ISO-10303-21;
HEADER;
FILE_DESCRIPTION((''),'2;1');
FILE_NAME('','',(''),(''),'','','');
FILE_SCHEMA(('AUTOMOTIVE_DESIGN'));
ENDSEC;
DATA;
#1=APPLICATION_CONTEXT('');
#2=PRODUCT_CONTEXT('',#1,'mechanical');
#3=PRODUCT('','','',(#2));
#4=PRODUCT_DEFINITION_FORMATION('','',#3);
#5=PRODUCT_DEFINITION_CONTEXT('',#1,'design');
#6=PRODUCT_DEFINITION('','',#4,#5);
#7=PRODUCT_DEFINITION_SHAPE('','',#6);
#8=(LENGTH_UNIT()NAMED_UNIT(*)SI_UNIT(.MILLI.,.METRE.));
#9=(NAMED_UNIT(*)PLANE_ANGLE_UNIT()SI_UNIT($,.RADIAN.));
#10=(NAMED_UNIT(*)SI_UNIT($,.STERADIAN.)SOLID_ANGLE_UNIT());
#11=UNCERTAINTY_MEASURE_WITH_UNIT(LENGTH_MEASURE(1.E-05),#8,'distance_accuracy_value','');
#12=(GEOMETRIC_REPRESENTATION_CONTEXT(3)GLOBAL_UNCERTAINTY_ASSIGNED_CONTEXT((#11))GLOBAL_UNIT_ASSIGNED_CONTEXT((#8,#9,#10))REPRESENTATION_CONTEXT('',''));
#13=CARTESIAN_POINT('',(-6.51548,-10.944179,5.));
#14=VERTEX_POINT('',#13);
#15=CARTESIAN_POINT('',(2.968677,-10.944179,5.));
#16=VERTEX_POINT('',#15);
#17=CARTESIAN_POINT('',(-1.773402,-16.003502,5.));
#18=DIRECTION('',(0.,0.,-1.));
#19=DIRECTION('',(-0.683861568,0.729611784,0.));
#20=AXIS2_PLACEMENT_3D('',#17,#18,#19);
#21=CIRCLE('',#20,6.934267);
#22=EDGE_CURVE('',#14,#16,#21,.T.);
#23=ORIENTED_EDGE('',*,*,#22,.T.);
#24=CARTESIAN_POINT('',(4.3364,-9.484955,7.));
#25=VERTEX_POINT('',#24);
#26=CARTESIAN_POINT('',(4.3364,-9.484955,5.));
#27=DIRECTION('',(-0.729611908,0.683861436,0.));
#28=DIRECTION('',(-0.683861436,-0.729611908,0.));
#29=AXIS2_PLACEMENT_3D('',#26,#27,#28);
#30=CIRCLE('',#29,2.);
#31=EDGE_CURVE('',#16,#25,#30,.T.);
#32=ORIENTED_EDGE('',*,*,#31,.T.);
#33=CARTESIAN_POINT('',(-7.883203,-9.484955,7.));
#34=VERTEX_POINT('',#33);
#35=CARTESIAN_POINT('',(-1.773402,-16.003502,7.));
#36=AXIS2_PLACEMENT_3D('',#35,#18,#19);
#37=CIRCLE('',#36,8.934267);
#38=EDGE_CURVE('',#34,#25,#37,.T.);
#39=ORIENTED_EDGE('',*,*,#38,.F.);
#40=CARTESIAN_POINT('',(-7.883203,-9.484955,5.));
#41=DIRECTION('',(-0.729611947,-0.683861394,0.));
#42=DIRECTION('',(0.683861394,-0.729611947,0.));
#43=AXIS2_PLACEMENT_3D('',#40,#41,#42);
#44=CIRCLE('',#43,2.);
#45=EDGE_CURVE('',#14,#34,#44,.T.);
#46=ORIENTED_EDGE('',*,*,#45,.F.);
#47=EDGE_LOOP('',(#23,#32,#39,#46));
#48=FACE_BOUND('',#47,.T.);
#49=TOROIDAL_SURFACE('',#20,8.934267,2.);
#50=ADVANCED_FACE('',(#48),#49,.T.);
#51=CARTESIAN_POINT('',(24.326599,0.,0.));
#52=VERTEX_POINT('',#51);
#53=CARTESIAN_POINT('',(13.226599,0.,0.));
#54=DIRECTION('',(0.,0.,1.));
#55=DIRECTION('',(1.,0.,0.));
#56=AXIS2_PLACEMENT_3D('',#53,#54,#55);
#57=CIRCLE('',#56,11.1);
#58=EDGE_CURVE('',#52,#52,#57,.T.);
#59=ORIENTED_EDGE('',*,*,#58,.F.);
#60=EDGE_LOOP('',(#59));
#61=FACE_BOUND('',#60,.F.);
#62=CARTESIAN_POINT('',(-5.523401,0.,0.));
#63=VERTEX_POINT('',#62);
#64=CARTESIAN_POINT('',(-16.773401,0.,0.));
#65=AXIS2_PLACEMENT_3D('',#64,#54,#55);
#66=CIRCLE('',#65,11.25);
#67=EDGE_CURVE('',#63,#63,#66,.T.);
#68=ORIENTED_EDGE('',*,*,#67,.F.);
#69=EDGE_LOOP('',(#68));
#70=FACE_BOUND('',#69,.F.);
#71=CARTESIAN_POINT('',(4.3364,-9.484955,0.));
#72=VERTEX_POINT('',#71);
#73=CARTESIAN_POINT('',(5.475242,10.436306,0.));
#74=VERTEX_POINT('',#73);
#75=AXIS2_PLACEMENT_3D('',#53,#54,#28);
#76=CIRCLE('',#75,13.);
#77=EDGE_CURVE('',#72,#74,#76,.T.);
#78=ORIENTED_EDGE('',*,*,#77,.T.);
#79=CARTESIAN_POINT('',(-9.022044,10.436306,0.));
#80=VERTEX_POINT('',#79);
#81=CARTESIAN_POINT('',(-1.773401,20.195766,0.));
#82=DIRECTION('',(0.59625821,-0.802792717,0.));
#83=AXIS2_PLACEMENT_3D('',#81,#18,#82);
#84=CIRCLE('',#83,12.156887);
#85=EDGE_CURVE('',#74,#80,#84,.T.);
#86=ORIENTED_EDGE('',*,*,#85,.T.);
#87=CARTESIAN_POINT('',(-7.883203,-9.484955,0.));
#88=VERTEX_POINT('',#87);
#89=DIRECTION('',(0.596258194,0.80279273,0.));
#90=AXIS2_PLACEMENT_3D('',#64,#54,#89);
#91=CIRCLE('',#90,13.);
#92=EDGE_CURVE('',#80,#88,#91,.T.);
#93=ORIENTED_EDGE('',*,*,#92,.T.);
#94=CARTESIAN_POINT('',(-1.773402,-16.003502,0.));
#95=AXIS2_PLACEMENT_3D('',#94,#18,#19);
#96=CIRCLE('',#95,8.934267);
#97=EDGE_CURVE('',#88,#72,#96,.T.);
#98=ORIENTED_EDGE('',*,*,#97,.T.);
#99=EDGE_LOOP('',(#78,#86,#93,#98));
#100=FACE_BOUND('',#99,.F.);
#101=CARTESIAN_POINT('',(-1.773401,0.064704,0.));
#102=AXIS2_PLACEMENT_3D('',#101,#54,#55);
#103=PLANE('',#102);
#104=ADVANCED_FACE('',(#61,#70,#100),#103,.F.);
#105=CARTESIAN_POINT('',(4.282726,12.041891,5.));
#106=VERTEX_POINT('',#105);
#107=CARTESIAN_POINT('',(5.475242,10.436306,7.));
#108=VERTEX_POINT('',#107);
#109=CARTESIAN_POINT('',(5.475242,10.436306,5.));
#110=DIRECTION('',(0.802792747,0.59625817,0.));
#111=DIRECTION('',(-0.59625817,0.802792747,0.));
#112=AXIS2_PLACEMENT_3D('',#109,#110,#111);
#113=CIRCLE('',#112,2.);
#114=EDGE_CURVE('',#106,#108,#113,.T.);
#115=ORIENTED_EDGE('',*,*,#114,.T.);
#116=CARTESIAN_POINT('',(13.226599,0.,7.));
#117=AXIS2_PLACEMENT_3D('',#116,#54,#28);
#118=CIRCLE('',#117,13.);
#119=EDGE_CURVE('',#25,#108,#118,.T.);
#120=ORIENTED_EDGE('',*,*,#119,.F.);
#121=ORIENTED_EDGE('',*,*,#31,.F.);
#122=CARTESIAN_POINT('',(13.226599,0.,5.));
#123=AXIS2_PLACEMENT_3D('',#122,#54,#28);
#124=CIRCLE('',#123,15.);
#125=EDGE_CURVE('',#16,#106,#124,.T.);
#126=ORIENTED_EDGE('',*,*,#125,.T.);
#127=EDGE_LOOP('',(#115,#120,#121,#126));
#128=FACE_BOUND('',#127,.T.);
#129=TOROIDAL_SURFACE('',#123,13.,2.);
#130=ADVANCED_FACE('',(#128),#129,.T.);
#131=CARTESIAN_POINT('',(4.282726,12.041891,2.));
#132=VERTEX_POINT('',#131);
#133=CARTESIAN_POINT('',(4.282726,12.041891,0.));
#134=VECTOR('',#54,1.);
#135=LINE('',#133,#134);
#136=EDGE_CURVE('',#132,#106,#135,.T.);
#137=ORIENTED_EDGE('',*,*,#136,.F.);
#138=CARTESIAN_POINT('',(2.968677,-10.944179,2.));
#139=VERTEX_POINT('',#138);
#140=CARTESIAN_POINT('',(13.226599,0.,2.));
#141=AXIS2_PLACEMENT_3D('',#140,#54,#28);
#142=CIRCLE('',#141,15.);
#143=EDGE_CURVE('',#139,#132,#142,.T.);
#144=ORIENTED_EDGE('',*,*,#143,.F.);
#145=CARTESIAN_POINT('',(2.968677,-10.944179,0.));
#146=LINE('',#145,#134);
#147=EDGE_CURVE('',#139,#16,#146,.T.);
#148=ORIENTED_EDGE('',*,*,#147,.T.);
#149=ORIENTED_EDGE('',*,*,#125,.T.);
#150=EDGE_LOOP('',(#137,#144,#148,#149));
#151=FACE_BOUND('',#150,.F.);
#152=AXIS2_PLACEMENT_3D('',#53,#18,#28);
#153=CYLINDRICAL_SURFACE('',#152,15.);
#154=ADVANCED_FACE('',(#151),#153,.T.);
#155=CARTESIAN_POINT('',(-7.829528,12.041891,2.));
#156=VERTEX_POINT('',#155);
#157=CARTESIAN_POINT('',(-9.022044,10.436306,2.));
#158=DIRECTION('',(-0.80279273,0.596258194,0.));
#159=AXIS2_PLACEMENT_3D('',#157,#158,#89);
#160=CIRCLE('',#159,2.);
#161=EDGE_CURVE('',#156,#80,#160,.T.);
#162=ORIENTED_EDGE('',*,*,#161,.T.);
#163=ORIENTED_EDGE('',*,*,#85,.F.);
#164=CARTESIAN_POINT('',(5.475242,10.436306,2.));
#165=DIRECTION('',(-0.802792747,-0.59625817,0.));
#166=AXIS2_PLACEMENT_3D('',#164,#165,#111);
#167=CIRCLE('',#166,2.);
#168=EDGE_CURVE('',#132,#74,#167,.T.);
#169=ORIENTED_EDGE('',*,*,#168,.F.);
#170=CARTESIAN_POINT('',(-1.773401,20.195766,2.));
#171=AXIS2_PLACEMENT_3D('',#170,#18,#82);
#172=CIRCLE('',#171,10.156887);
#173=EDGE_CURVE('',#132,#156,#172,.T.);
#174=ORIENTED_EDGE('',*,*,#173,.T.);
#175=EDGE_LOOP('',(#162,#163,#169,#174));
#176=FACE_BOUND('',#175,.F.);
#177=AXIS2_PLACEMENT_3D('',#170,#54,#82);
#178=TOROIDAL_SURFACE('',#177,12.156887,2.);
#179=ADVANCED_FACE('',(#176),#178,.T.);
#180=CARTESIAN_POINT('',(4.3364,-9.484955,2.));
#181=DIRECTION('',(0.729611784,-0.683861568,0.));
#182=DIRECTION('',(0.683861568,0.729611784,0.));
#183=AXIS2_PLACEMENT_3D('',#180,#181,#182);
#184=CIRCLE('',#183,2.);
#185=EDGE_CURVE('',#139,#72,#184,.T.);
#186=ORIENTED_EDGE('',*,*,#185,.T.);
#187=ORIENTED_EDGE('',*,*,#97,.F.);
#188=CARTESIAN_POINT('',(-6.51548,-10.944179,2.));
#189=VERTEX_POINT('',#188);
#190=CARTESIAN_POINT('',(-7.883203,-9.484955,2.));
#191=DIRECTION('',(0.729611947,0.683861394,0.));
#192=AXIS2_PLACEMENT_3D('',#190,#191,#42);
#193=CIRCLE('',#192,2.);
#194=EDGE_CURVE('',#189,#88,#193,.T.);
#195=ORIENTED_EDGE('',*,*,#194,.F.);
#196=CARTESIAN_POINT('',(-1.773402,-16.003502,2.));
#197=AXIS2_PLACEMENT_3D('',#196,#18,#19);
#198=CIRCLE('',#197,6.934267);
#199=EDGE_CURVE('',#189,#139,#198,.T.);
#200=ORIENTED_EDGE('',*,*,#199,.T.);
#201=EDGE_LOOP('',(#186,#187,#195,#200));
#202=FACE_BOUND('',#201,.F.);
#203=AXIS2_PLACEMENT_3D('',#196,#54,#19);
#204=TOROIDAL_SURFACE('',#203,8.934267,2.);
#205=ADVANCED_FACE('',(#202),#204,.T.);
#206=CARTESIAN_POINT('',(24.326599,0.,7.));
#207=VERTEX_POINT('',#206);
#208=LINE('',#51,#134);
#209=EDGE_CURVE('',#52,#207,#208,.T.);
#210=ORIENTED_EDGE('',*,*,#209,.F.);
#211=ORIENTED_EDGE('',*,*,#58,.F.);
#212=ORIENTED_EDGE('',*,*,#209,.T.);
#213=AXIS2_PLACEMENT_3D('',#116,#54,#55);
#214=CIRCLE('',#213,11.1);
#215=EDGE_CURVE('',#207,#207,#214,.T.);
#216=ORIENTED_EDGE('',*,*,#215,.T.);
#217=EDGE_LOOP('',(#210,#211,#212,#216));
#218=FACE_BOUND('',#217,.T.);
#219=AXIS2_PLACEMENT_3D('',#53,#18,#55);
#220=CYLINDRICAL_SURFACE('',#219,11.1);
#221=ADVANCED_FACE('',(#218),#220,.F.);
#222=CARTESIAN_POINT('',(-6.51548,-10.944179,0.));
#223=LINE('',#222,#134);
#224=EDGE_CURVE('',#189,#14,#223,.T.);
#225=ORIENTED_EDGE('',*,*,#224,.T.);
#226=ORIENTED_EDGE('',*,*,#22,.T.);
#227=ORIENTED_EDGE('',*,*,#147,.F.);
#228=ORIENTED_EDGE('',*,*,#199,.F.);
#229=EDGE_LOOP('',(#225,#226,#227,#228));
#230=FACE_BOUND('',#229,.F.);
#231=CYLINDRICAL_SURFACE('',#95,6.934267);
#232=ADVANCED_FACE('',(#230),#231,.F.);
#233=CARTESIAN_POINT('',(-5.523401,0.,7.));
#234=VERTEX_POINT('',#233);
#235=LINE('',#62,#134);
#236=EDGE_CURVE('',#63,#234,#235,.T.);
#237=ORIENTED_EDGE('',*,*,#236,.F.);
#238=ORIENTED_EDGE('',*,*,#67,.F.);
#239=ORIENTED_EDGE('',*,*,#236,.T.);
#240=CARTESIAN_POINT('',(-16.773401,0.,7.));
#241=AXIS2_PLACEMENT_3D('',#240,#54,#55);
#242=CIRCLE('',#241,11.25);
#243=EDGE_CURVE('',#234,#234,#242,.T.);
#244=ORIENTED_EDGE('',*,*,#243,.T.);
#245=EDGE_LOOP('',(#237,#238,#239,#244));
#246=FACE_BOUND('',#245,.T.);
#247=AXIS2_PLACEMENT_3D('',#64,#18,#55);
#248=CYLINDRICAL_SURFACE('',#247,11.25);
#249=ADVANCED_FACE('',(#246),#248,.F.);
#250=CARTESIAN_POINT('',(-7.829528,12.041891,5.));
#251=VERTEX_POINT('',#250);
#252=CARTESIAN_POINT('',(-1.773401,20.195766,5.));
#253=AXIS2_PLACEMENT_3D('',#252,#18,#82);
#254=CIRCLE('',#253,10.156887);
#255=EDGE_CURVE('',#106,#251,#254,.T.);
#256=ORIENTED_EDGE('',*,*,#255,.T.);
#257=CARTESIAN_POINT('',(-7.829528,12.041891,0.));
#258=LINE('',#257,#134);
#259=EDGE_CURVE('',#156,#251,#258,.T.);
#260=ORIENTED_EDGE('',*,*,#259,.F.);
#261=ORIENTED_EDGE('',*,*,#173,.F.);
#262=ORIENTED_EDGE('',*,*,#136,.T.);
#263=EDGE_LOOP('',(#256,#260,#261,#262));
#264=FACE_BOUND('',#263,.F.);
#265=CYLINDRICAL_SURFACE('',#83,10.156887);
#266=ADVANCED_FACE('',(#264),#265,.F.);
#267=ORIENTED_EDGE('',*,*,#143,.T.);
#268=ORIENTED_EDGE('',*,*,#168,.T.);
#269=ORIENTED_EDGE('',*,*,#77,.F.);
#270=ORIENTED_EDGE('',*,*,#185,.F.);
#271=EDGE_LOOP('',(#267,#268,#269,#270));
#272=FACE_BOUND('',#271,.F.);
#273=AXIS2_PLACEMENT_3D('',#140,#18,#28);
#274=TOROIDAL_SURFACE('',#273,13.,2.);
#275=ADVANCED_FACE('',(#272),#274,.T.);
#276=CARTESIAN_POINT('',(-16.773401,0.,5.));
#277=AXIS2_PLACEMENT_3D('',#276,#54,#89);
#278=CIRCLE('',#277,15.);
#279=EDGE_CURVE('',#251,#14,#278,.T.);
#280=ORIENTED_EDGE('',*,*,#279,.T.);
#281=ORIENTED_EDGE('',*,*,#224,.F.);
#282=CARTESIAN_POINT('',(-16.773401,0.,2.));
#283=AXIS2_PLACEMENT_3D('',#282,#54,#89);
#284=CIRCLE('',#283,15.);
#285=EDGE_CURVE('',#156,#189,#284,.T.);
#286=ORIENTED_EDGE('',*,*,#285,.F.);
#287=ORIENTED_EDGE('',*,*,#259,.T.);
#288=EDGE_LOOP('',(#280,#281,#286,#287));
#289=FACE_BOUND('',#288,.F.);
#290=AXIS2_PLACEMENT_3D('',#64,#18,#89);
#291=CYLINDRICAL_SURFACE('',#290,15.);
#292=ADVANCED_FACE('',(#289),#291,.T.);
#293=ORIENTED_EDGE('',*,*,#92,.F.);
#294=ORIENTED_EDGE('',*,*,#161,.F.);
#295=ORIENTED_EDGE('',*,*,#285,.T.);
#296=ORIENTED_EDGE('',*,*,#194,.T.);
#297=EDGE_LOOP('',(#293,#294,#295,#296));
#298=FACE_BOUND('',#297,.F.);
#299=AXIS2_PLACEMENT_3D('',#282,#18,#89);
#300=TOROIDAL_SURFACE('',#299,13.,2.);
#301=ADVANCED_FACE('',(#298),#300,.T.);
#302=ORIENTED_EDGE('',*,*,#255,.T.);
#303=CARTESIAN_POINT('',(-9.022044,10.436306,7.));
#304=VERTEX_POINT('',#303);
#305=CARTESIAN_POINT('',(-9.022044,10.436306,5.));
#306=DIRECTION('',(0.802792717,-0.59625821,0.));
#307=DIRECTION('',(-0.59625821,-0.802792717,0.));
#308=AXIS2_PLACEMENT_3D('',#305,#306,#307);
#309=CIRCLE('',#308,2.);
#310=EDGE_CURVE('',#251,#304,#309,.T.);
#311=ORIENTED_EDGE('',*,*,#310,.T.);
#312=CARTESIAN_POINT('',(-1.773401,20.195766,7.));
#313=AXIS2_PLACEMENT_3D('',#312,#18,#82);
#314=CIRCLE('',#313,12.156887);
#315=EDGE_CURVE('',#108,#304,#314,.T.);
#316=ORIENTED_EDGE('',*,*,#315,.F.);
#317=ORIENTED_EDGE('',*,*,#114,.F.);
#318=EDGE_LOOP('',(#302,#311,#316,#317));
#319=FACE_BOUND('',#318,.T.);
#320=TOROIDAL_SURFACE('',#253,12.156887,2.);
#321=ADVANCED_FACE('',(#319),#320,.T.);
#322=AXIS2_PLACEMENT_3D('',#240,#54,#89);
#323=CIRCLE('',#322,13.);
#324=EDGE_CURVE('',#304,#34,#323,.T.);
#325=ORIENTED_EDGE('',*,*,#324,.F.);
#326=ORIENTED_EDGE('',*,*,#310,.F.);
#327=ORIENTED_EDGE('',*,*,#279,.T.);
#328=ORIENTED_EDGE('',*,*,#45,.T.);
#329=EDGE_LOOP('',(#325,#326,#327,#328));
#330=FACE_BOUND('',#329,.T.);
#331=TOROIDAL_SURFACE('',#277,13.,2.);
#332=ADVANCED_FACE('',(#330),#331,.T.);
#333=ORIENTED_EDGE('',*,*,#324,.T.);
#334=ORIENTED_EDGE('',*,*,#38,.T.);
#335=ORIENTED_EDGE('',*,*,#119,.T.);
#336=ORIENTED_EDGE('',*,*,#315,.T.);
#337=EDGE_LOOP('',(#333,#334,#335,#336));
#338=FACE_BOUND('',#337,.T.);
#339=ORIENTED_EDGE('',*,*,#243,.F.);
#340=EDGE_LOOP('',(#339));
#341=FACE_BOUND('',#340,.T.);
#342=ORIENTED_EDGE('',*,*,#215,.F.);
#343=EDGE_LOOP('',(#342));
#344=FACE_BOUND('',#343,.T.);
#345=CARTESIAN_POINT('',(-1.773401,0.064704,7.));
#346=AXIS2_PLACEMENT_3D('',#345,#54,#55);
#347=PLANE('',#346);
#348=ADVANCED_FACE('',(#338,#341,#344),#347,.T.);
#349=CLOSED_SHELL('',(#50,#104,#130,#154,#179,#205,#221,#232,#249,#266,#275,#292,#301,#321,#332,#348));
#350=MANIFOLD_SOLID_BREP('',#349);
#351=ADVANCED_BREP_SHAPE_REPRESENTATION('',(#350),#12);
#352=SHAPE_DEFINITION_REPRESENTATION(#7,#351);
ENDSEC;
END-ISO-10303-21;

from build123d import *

# Parameters (mm, degrees)
F0_R     = 11.25
F0_R_2   = 11.1
F1_DEPTH = 7
F2_R     = 2


with BuildPart() as f1:
    # F0 (on Top) → F1 (new body)
    with BuildSketch(Plane.XY):
        with BuildLine():
            ThreePointArc((4.282726, 12.041891), (-1.773401, 10.038879), (-7.829528, 12.041891))
            ThreePointArc((-7.829528, 12.041891), (-31.74895, -0.85611), (-6.51548, -10.944179))
            ThreePointArc((-6.51548, -10.944179), (-1.773401, -9.069235), (2.968677, -10.944179))
            ThreePointArc((2.968677, -10.944179), (28.202148, -0.85611), (4.282726, 12.041891))
        make_face()
        with Locations((-16.773401, 0)):
            Circle(F0_R, mode=Mode.SUBTRACT)
        with Locations((13.226599, 0)):
            Circle(F0_R_2, mode=Mode.SUBTRACT)
    extrude(amount=F1_DEPTH)

    # F2
    f2_edges = [f1.edges().sort_by_distance(p)[0] for p in [
        (-31.74895, -0.85611, 0),
        (28.202148, -0.85611, 7),
    ]]
    fillet(f2_edges, radius=F2_R)


solid = f1.part
